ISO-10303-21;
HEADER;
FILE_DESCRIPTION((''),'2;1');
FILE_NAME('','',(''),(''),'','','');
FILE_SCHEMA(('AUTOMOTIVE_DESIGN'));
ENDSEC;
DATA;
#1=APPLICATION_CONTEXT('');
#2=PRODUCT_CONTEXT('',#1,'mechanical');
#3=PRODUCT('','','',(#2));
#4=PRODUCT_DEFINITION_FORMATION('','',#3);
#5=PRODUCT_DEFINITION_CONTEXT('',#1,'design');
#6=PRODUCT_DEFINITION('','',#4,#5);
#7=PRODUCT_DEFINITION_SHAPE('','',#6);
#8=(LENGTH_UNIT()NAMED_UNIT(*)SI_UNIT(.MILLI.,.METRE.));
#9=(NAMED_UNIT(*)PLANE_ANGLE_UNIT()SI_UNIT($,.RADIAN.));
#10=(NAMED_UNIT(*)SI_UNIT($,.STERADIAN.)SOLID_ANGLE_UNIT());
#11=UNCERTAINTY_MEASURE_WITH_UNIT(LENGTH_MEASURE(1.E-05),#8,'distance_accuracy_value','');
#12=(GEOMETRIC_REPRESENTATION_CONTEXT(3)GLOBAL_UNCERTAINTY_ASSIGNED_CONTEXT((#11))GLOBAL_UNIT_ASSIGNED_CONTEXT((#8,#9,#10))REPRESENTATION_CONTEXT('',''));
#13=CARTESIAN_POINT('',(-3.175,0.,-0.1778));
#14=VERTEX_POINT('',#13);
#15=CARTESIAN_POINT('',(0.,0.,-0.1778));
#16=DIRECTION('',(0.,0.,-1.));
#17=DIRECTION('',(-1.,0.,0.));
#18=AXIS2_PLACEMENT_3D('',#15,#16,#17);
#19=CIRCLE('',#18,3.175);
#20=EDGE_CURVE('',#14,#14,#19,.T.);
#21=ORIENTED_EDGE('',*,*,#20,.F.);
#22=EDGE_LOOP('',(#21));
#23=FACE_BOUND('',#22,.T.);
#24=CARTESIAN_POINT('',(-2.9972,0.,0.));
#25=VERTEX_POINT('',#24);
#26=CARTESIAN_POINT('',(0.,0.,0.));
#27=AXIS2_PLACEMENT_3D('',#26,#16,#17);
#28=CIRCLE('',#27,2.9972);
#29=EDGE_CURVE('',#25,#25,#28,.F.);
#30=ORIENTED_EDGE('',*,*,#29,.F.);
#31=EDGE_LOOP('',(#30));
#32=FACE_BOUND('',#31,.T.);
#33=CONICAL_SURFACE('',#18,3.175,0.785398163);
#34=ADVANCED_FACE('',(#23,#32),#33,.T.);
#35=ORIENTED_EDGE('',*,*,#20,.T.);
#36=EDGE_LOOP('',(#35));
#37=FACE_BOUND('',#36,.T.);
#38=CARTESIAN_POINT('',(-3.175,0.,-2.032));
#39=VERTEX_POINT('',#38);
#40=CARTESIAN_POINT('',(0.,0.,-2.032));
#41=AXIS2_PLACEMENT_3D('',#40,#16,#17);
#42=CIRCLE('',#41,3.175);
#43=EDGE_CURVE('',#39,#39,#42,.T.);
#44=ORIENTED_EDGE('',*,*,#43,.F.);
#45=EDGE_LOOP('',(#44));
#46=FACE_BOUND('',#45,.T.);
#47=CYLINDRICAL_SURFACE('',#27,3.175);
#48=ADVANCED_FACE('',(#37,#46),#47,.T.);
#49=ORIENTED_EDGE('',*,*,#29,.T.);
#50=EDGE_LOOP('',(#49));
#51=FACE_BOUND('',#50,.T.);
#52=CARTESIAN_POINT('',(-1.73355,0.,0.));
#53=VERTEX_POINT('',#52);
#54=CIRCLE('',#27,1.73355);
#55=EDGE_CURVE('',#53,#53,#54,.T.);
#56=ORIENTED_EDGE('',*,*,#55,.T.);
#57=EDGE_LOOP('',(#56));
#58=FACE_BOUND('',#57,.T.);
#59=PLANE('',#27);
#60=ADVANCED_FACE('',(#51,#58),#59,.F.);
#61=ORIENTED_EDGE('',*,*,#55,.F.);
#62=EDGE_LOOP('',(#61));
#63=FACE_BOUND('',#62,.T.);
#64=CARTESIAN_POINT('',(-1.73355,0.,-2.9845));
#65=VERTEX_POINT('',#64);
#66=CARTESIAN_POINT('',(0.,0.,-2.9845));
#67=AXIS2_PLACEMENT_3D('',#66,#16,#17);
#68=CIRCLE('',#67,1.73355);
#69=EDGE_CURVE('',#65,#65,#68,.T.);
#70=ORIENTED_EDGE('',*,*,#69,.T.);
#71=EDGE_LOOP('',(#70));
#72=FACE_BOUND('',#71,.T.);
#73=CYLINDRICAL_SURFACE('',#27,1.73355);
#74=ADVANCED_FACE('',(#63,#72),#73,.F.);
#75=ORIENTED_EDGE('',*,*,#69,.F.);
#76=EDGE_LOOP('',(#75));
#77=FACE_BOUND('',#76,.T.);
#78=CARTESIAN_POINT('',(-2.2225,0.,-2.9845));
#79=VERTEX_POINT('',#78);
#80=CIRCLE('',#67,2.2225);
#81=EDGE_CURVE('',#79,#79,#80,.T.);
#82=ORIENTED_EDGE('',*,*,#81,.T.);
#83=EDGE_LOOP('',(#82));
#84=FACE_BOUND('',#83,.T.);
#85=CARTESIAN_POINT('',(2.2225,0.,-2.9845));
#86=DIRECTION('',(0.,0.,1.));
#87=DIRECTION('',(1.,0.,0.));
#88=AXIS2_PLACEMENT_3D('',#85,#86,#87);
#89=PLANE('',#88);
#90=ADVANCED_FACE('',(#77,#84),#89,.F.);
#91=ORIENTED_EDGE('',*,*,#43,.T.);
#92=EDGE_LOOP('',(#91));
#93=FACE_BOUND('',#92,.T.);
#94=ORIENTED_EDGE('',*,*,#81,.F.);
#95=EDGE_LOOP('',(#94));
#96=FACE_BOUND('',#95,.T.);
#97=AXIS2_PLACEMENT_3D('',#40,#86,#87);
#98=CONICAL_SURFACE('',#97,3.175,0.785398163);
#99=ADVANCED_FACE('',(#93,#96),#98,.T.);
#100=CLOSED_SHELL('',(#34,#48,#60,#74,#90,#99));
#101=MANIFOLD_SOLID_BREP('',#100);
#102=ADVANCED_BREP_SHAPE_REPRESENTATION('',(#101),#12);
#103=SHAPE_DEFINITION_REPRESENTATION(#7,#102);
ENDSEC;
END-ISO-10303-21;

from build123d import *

# Parameters (mm, degrees)
SKETCH2_R          = 1.73355
CUT_EXTRUDE1_DEPTH = 3.9845
CHAMFER1_SIZE      = 0.1778


with BuildPart() as part:
    # Sketch1 → Revolve1 (revolve)
    with BuildSketch(Plane(origin=(0, 0, 0), x_dir=(1, 0, 0), z_dir=(0, 1, 0))):
        Polygon((0, 0), (3.175, 0), (3.175, 2.032), (2.2225, 2.9845), (0, 2.9845), align=None)
    revolve(axis=Axis((0, 0, 0), (0, 0, 1)))

    # Sketch2 → Cut-Extrude1 (cut, through all)
    with BuildSketch(Plane(origin=(0, 0, -2.9845), x_dir=(-1, 0, 0), z_dir=(0, 0, -1))):
        Circle(SKETCH2_R)
    extrude(amount=-CUT_EXTRUDE1_DEPTH, mode=Mode.SUBTRACT)

    # Chamfer1
    chamfer1_edges = [part.edges().sort_by_distance(p)[0] for p in [
        (-3.175, 0, 0),
    ]]
    chamfer(chamfer1_edges, length=CHAMFER1_SIZE)


solid = part.part
